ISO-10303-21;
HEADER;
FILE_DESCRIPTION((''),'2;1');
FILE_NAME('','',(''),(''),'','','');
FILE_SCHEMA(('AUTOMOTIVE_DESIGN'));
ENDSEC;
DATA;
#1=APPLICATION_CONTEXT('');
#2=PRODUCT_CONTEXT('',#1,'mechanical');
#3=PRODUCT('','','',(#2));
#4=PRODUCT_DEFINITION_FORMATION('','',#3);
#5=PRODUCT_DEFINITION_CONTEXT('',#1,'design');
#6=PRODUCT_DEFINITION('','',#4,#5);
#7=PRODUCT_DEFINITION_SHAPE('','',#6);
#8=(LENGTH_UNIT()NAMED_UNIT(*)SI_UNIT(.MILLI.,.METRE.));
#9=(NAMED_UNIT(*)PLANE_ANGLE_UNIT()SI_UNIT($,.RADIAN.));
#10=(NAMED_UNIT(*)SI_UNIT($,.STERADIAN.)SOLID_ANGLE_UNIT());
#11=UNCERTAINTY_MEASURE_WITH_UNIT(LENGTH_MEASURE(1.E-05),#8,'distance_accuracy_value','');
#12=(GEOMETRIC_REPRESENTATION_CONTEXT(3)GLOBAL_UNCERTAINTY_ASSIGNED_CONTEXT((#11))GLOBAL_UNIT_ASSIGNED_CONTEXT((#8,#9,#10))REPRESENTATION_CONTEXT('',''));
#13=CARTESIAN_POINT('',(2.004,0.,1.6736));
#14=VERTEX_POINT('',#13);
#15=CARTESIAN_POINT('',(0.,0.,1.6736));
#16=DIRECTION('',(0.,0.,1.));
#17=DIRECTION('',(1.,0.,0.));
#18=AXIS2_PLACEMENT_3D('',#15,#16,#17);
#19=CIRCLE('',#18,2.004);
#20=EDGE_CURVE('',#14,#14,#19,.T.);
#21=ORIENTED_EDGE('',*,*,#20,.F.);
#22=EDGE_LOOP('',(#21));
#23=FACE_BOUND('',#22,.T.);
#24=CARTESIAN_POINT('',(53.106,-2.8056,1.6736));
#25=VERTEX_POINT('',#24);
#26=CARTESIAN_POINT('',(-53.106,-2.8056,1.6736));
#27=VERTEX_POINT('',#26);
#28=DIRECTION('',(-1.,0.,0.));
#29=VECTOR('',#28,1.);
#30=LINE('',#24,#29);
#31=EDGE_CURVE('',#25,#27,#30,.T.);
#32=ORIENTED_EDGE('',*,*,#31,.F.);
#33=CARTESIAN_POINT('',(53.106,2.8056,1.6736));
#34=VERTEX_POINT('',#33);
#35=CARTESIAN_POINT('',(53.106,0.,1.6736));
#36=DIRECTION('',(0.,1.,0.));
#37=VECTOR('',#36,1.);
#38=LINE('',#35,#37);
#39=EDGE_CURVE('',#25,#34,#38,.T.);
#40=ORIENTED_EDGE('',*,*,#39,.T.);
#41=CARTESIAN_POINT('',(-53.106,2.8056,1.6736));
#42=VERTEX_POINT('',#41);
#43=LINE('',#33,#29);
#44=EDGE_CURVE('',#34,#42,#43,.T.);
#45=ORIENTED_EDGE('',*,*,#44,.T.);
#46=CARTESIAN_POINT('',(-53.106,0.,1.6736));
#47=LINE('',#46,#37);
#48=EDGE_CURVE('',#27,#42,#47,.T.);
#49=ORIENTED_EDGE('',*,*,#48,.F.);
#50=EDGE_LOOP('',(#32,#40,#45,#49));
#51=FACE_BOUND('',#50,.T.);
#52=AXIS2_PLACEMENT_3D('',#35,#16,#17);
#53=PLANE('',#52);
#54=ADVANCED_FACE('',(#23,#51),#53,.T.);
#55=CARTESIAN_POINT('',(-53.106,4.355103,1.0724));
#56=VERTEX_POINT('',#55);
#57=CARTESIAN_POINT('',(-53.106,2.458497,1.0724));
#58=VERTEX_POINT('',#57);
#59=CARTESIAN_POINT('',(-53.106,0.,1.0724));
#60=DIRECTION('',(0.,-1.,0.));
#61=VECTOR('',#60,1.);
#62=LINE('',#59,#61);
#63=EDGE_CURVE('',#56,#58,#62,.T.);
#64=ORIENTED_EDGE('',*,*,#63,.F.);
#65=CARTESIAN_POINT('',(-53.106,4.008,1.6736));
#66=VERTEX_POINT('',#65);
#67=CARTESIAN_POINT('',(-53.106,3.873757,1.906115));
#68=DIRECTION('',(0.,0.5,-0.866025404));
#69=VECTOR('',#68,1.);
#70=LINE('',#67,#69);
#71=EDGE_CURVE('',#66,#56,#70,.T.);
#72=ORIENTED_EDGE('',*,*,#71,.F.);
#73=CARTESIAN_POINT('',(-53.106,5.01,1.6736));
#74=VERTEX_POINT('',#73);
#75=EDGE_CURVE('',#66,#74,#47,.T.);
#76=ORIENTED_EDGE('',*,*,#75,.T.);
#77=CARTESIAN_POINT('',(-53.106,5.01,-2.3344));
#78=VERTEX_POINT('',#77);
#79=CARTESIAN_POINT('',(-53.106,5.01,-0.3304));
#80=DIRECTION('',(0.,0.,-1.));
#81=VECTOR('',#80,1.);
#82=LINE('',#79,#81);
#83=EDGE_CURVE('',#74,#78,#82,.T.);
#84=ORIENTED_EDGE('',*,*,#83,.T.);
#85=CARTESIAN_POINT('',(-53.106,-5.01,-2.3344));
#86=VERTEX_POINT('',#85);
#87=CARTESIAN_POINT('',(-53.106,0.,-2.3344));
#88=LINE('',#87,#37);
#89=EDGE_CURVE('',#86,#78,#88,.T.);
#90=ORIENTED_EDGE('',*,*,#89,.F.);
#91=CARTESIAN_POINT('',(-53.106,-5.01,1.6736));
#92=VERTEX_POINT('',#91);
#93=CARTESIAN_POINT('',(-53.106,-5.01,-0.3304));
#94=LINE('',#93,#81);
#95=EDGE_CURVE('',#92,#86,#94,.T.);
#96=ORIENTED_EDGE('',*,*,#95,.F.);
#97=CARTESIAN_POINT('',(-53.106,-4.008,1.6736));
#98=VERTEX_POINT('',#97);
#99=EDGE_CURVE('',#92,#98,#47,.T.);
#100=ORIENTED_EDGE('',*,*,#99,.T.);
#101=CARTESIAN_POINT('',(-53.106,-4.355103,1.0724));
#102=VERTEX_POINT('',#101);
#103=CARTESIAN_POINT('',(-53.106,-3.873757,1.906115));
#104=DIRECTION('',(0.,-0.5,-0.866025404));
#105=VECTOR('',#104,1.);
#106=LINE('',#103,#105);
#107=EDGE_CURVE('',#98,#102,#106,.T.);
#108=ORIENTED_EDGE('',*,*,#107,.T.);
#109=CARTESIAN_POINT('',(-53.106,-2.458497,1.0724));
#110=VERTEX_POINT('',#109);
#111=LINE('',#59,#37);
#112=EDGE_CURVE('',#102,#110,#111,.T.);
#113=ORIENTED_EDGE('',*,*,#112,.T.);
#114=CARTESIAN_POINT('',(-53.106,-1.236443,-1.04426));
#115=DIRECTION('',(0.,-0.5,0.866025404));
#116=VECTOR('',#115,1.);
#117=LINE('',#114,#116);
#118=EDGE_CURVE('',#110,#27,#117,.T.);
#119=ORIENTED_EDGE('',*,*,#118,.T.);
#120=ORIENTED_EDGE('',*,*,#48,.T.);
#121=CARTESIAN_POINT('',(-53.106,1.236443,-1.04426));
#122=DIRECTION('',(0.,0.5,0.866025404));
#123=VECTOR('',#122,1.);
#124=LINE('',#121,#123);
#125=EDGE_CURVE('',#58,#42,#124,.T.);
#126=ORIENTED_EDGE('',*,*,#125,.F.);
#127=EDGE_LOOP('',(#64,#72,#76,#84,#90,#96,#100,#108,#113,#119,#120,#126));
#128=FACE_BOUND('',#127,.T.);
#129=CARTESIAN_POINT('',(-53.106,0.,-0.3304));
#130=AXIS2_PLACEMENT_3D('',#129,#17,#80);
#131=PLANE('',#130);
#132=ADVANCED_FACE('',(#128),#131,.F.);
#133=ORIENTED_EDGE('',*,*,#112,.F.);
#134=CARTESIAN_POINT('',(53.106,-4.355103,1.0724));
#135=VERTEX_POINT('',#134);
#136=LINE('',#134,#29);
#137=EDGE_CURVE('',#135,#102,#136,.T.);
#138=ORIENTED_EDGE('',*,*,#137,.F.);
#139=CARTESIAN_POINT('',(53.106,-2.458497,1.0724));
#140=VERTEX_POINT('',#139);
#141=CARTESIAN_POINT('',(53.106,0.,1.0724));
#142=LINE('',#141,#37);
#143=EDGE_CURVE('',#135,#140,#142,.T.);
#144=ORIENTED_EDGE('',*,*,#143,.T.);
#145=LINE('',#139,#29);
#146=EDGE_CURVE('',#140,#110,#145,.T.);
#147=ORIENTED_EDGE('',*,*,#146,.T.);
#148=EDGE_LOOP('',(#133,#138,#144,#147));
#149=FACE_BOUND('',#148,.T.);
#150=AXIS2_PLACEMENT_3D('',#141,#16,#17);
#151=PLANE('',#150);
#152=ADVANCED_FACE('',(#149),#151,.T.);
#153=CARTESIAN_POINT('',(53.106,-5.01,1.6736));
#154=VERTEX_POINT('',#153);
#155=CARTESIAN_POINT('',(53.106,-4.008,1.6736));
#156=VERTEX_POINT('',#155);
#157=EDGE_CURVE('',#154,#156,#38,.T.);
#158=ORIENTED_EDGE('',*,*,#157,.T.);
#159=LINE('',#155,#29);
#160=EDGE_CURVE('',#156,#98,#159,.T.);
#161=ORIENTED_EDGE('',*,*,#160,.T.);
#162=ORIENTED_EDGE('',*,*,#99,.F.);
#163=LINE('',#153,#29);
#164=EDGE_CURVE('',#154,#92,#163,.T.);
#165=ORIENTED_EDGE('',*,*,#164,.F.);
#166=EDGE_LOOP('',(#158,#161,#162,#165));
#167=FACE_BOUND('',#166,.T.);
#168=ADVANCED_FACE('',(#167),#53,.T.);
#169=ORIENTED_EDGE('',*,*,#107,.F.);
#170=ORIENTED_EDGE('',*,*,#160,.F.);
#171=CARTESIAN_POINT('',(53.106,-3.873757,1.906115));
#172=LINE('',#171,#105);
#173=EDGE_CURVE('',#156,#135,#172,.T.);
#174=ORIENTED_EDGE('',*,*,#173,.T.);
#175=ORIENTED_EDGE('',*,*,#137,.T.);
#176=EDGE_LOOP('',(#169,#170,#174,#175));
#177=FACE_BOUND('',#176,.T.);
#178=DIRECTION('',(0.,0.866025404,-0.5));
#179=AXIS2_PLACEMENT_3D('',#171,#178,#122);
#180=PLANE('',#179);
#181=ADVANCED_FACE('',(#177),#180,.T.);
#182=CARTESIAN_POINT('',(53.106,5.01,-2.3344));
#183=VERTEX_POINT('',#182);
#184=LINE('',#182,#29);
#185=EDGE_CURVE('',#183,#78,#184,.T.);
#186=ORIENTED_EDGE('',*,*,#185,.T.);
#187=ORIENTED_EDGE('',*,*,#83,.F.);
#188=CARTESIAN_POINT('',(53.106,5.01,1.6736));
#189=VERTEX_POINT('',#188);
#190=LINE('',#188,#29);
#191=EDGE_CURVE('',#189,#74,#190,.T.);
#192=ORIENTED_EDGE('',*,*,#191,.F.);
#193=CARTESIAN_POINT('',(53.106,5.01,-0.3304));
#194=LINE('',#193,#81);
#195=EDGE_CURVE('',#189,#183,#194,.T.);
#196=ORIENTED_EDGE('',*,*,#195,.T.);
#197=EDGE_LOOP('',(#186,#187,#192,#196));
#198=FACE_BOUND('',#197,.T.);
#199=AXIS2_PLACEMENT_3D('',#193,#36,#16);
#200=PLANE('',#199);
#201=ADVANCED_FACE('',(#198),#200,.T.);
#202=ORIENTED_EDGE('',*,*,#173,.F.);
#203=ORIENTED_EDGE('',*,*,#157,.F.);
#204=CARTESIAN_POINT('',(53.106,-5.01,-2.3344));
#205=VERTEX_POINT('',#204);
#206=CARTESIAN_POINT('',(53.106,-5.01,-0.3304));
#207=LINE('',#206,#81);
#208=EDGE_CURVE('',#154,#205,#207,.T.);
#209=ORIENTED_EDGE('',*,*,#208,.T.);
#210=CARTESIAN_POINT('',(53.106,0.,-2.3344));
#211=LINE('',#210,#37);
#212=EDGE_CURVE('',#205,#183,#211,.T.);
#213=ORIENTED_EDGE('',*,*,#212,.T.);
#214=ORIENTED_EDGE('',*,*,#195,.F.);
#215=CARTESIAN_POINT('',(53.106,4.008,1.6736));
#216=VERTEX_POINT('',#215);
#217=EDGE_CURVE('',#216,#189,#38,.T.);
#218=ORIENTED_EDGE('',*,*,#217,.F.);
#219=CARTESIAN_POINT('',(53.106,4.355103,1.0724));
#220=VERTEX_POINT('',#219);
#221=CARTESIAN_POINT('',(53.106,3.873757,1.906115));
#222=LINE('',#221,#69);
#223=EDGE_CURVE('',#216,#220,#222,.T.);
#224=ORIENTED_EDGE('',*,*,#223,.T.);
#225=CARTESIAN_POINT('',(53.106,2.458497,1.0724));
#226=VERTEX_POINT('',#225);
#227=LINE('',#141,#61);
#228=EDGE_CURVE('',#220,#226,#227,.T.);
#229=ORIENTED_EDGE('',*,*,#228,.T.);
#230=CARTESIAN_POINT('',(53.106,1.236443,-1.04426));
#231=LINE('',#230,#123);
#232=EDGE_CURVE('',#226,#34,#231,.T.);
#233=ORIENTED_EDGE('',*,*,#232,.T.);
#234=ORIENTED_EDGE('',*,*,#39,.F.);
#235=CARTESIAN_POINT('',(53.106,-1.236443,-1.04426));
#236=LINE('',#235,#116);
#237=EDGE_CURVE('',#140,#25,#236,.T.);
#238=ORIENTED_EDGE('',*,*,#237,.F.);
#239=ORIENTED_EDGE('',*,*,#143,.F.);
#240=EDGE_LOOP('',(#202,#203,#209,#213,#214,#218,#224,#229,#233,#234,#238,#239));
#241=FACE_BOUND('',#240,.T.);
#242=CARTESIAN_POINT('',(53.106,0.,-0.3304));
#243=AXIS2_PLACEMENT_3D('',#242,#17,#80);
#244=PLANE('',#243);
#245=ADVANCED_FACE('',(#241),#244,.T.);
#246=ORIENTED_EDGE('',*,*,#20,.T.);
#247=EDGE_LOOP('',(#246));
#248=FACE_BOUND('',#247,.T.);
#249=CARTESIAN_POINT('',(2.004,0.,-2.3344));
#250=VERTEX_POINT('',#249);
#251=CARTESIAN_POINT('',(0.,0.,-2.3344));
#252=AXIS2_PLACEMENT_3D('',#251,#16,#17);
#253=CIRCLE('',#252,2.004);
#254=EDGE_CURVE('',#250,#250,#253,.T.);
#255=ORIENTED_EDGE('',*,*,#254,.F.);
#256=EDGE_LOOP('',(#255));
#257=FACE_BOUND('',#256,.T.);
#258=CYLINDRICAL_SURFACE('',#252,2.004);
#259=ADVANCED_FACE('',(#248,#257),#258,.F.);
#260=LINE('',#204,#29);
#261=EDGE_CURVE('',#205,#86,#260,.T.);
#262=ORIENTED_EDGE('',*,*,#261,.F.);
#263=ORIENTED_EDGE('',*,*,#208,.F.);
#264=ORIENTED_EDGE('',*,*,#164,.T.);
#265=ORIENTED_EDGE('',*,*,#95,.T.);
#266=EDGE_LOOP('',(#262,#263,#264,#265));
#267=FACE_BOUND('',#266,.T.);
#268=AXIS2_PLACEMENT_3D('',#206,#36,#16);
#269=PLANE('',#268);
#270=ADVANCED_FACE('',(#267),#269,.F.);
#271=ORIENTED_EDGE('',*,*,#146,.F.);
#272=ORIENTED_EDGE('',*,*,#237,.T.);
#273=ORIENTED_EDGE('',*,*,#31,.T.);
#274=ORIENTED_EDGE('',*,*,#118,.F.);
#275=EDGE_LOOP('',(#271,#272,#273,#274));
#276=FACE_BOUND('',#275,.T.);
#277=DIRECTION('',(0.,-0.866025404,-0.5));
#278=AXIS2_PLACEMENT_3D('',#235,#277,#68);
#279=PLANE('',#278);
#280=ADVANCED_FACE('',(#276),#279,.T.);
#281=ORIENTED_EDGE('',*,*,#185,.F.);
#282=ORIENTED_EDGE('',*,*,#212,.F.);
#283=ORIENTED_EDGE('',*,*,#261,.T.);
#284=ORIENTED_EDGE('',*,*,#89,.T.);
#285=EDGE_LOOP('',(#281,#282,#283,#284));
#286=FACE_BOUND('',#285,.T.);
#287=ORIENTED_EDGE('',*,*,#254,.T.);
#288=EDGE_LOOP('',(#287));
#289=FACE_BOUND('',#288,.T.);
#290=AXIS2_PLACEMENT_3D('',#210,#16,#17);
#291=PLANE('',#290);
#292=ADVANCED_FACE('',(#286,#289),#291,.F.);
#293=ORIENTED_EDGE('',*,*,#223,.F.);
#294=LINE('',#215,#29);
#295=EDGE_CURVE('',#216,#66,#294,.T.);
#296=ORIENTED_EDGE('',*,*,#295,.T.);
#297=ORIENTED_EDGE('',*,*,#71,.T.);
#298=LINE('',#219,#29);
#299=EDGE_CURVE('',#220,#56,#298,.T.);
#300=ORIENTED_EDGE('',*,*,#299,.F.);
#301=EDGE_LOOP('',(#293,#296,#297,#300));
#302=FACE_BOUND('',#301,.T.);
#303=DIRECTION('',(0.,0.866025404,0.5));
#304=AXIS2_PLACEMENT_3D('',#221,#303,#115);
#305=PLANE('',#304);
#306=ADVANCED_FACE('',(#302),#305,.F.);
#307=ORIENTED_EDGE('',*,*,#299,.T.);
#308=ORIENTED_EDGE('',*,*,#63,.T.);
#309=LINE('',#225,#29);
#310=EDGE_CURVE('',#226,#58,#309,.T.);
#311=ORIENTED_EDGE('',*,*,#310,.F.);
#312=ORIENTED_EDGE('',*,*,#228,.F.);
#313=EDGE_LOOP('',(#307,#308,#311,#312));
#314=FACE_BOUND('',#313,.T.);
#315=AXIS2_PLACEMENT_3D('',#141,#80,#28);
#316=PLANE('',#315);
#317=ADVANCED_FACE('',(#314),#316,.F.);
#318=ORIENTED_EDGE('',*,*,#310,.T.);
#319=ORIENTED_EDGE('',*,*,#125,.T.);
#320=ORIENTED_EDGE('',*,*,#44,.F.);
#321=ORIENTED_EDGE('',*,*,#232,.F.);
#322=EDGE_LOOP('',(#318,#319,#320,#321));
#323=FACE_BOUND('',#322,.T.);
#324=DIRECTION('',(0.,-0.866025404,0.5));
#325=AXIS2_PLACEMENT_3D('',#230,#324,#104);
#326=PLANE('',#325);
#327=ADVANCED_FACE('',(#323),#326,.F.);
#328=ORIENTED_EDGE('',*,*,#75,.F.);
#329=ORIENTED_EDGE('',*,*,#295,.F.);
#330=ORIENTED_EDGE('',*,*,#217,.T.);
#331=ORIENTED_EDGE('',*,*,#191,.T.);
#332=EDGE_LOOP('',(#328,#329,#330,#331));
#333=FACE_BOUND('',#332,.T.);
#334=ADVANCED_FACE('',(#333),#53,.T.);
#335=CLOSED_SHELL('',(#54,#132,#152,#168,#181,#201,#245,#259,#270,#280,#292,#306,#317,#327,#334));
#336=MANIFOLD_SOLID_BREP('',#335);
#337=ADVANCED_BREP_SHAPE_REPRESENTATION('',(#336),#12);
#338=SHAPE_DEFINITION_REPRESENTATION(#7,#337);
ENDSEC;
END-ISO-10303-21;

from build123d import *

# Parameters (mm, degrees)
BOSS_EXTRUDE1_DEPTH     = 265
CUT_EXTRUDE2_DEPTH      = 267.364412037
CUT_EXTRUDE2_DEPTH_BACK = 267.364412037
SKETCH3_R               = 10
SCALE2_SCALE            = 0.2004


with BuildPart() as part:
    # Sketch2 → Boss-Extrude1 (new, symmetric)
    with BuildSketch(Plane(origin=(0, 0, 0), x_dir=(0, 0, -1), z_dir=(1, 0, 0))):
        Polygon((-10, -20), (-10, -25), (10, -25), (10, 25), (-10, 25), (-10, 20), (-7, 21.732050808), (-7, 12.267949192), (-10, 14), (-10, -14), (-7, -12.267949192), (-7, -21.732050808), align=None)
    extrude(amount=BOSS_EXTRUDE1_DEPTH, both=True)

    # Sketch3 → Cut-Extrude2 (cut, two sides: drawn at the far end of the back side and taken through both)
    with BuildSketch(Plane.XY.offset(-CUT_EXTRUDE2_DEPTH_BACK)):
        Circle(SKETCH3_R)
    extrude(amount=CUT_EXTRUDE2_DEPTH + CUT_EXTRUDE2_DEPTH_BACK, mode=Mode.SUBTRACT)


with BuildPart() as part_1:
    # Scale2: scaled about (0, 0, -0.413206639)
    add(part.part.scale(SCALE2_SCALE).moved(Location((0, 0, -0.330400029))))


solid = part_1.part
